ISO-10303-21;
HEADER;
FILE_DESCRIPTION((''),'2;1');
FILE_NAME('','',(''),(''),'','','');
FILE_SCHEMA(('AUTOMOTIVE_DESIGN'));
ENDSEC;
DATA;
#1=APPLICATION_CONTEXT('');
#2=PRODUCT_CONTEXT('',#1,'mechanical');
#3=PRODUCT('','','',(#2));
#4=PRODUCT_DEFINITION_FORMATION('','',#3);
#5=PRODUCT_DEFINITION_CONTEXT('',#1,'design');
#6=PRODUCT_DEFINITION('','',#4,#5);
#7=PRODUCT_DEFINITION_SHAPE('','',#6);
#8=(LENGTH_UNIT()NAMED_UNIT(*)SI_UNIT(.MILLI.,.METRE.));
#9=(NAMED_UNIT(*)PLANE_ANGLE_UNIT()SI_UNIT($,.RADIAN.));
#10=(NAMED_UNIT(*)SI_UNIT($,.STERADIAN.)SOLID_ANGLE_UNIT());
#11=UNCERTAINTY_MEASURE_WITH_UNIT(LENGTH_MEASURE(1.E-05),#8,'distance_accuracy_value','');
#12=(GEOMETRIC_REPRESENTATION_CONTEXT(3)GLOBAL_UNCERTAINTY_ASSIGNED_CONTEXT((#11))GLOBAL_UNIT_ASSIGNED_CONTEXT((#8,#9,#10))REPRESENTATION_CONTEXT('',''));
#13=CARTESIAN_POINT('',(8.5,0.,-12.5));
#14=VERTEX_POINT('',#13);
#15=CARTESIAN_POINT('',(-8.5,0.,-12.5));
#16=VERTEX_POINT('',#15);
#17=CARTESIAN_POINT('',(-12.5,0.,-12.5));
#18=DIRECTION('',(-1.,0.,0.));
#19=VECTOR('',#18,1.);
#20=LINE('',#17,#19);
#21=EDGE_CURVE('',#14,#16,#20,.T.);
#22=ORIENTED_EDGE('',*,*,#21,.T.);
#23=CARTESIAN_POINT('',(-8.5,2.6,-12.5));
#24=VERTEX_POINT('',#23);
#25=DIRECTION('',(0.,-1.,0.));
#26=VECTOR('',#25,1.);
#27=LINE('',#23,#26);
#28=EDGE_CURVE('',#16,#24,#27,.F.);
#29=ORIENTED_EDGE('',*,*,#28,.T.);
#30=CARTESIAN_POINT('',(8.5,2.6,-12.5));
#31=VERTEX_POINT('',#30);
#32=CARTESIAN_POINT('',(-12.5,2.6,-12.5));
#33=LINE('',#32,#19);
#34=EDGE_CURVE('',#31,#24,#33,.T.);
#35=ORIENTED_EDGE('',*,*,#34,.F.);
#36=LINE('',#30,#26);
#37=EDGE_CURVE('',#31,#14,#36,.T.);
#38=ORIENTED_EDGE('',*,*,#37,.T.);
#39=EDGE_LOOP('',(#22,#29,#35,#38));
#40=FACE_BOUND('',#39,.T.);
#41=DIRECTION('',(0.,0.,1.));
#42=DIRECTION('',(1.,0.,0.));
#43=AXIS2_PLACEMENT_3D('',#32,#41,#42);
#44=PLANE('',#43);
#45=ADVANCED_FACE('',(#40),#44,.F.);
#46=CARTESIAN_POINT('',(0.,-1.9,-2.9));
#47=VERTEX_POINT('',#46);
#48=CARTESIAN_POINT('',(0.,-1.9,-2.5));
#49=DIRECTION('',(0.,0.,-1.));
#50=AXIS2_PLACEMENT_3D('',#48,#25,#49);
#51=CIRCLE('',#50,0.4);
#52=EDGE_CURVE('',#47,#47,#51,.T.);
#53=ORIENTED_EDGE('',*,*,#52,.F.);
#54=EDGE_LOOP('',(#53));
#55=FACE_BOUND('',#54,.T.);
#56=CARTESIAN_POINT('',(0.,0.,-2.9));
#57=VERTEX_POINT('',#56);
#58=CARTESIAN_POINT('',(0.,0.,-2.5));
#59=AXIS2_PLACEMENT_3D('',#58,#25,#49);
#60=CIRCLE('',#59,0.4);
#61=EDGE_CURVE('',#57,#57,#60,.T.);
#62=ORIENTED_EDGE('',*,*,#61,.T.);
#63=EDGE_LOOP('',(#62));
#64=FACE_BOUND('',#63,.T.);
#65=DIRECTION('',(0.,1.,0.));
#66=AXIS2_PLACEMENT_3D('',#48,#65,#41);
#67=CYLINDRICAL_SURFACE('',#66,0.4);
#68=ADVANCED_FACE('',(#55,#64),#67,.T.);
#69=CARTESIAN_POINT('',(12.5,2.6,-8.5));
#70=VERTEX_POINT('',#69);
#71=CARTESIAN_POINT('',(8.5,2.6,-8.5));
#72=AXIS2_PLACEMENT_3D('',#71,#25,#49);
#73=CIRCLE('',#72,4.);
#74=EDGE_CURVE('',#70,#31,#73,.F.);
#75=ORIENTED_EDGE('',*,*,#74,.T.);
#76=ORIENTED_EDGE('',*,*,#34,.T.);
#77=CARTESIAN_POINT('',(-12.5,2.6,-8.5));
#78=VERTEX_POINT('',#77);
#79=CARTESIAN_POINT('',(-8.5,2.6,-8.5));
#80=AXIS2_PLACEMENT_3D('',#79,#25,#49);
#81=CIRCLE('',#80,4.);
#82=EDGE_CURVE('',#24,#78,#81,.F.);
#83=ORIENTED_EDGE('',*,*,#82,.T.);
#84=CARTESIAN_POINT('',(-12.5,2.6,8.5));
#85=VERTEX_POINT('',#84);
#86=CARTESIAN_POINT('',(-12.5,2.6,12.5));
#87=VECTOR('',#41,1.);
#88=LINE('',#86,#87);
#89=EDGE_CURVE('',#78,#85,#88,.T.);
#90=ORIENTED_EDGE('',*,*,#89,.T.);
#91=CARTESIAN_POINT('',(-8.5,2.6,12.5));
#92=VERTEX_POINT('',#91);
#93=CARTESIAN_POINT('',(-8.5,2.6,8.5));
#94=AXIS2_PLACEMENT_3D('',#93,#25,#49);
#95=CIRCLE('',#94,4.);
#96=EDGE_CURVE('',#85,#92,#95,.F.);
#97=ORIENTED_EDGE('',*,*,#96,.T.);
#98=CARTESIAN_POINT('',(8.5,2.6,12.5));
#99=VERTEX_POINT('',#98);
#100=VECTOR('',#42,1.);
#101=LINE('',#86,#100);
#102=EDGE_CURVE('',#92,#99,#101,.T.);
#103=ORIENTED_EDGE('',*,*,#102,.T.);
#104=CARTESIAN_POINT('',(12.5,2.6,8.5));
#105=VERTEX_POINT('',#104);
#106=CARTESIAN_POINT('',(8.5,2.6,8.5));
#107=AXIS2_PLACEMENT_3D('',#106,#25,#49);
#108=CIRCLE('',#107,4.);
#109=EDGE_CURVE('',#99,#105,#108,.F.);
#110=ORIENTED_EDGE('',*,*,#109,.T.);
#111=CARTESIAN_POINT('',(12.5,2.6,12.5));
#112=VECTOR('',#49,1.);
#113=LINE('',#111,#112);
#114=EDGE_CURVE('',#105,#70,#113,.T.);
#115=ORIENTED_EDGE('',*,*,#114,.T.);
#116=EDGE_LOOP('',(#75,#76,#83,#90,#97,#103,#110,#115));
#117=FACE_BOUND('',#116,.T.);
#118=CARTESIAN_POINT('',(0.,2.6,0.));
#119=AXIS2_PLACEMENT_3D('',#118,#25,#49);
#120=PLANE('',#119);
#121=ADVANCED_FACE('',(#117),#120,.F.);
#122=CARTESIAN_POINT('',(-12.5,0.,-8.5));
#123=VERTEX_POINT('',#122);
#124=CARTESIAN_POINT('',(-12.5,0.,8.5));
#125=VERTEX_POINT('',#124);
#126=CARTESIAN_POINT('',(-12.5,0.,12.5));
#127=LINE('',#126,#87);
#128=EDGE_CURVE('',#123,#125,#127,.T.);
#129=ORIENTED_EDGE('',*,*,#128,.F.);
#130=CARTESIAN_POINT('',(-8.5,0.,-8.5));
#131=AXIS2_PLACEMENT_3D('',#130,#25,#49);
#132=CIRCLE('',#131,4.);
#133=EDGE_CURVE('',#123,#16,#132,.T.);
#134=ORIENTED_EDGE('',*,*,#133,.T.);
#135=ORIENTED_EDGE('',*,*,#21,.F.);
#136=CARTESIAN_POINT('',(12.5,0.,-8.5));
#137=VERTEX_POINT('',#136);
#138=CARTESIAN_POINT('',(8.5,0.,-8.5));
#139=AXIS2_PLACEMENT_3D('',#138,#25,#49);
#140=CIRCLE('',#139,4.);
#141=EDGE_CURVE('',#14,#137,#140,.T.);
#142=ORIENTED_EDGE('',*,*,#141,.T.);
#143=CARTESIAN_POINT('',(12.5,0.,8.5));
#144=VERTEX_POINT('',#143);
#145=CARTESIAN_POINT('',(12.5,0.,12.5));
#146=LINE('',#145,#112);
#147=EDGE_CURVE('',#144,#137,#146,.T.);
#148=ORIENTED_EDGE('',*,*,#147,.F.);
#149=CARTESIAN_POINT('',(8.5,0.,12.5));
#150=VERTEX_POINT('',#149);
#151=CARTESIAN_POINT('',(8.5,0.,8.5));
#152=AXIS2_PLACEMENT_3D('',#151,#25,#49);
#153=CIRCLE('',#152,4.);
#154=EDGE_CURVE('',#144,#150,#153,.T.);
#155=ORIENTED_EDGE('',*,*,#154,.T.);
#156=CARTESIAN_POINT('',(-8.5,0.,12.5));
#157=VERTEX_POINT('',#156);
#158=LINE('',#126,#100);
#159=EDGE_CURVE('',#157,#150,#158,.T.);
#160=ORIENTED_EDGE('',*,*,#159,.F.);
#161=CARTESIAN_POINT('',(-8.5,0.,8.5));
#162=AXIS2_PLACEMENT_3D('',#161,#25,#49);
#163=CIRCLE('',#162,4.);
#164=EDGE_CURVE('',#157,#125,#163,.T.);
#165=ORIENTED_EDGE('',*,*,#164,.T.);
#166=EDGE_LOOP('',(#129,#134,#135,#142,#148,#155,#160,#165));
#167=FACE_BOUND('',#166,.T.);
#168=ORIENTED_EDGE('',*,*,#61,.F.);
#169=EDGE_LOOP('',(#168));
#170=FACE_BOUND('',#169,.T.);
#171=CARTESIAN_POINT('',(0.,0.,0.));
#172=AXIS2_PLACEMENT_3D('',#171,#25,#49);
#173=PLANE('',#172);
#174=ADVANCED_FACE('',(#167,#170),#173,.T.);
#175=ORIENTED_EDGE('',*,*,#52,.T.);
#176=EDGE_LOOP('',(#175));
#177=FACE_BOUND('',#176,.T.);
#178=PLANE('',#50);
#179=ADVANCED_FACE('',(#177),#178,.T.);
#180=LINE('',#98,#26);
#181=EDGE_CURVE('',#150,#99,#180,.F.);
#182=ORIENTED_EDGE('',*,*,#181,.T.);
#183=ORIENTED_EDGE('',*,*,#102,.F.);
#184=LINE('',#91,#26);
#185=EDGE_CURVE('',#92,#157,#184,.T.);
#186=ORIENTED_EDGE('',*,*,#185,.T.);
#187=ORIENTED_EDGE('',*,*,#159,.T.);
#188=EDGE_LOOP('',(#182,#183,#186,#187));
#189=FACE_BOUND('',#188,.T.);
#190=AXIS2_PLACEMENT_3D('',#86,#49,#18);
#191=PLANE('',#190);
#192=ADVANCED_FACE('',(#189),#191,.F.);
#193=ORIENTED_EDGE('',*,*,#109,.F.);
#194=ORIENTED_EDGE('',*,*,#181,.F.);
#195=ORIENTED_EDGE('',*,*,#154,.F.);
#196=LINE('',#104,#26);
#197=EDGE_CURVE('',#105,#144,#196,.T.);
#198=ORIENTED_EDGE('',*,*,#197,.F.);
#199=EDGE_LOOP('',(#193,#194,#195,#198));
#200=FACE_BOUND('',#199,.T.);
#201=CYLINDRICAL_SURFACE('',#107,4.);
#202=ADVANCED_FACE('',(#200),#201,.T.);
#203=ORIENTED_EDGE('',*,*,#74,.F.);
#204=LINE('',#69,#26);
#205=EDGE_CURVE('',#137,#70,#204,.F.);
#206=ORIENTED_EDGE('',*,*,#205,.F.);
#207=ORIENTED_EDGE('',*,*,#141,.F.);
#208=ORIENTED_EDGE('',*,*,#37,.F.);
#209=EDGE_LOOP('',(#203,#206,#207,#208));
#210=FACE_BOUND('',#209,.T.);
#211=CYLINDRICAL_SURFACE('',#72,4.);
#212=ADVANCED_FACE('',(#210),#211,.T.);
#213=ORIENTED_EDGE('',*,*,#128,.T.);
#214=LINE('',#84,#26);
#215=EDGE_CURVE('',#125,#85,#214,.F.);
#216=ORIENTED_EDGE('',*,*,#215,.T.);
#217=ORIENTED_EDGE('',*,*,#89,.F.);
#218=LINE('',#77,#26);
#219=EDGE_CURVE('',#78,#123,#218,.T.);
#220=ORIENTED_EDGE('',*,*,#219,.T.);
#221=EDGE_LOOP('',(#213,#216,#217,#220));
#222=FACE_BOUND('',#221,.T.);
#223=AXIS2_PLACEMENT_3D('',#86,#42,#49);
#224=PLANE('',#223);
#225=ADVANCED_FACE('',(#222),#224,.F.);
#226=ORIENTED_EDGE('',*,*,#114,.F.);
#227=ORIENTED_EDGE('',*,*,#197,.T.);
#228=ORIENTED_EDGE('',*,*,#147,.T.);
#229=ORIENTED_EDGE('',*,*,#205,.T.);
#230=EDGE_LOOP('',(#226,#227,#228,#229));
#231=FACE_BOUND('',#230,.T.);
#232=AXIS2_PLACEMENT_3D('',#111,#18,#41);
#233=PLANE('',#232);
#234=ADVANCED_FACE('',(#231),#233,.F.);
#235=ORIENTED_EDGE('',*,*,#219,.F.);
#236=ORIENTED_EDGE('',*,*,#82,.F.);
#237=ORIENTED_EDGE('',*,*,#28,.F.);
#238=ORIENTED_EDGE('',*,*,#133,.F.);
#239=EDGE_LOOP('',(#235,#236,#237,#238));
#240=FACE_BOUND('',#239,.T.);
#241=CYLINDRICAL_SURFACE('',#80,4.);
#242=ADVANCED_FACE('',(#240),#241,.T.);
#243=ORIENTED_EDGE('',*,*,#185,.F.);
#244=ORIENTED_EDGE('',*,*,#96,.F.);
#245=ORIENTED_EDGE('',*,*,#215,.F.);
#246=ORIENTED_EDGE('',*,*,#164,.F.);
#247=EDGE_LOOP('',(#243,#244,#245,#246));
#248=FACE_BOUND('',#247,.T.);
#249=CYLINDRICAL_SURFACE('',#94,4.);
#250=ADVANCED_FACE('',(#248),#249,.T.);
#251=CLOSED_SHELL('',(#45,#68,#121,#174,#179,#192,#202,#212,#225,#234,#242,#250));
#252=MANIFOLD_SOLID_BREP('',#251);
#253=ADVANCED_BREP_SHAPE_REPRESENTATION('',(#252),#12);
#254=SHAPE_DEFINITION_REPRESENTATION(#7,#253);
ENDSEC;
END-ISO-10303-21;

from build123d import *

# Parameters (mm, degrees)
SKETCH1_W           = 25
SKETCH1_H           = 25
BOSS_EXTRUDE1_DEPTH = 2.6
FILLET1_R           = 4
SKETCH2_R           = 0.4
BOSS_EXTRUDE2_DEPTH = 1.9


with BuildPart() as part:
    # Sketch1 → Boss-Extrude1 (new body)
    with BuildSketch(Plane(origin=(0, 0, 0), x_dir=(1, 0, 0), z_dir=(0, 1, 0))):
        Rectangle(SKETCH1_W, SKETCH1_H)
    extrude(amount=BOSS_EXTRUDE1_DEPTH)

    # Fillet1
    fillet1_edges = [part.edges().sort_by_distance(p)[0] for p in [
        (12.5, 1.3, 12.5),
        (-12.5, 1.3, 12.5),
        (-12.5, 1.3, -12.5),
        (12.5, 1.3, -12.5),
    ]]
    fillet(fillet1_edges, radius=FILLET1_R)

    # Sketch2 → Boss-Extrude2 (add)
    with BuildSketch(Plane.XZ):
        with Locations(Location((0, -2.5, 0), (0, 0, 270))):  # turned: the seam where the file's is
            Circle(SKETCH2_R)
    extrude(amount=BOSS_EXTRUDE2_DEPTH)


solid = part.part
